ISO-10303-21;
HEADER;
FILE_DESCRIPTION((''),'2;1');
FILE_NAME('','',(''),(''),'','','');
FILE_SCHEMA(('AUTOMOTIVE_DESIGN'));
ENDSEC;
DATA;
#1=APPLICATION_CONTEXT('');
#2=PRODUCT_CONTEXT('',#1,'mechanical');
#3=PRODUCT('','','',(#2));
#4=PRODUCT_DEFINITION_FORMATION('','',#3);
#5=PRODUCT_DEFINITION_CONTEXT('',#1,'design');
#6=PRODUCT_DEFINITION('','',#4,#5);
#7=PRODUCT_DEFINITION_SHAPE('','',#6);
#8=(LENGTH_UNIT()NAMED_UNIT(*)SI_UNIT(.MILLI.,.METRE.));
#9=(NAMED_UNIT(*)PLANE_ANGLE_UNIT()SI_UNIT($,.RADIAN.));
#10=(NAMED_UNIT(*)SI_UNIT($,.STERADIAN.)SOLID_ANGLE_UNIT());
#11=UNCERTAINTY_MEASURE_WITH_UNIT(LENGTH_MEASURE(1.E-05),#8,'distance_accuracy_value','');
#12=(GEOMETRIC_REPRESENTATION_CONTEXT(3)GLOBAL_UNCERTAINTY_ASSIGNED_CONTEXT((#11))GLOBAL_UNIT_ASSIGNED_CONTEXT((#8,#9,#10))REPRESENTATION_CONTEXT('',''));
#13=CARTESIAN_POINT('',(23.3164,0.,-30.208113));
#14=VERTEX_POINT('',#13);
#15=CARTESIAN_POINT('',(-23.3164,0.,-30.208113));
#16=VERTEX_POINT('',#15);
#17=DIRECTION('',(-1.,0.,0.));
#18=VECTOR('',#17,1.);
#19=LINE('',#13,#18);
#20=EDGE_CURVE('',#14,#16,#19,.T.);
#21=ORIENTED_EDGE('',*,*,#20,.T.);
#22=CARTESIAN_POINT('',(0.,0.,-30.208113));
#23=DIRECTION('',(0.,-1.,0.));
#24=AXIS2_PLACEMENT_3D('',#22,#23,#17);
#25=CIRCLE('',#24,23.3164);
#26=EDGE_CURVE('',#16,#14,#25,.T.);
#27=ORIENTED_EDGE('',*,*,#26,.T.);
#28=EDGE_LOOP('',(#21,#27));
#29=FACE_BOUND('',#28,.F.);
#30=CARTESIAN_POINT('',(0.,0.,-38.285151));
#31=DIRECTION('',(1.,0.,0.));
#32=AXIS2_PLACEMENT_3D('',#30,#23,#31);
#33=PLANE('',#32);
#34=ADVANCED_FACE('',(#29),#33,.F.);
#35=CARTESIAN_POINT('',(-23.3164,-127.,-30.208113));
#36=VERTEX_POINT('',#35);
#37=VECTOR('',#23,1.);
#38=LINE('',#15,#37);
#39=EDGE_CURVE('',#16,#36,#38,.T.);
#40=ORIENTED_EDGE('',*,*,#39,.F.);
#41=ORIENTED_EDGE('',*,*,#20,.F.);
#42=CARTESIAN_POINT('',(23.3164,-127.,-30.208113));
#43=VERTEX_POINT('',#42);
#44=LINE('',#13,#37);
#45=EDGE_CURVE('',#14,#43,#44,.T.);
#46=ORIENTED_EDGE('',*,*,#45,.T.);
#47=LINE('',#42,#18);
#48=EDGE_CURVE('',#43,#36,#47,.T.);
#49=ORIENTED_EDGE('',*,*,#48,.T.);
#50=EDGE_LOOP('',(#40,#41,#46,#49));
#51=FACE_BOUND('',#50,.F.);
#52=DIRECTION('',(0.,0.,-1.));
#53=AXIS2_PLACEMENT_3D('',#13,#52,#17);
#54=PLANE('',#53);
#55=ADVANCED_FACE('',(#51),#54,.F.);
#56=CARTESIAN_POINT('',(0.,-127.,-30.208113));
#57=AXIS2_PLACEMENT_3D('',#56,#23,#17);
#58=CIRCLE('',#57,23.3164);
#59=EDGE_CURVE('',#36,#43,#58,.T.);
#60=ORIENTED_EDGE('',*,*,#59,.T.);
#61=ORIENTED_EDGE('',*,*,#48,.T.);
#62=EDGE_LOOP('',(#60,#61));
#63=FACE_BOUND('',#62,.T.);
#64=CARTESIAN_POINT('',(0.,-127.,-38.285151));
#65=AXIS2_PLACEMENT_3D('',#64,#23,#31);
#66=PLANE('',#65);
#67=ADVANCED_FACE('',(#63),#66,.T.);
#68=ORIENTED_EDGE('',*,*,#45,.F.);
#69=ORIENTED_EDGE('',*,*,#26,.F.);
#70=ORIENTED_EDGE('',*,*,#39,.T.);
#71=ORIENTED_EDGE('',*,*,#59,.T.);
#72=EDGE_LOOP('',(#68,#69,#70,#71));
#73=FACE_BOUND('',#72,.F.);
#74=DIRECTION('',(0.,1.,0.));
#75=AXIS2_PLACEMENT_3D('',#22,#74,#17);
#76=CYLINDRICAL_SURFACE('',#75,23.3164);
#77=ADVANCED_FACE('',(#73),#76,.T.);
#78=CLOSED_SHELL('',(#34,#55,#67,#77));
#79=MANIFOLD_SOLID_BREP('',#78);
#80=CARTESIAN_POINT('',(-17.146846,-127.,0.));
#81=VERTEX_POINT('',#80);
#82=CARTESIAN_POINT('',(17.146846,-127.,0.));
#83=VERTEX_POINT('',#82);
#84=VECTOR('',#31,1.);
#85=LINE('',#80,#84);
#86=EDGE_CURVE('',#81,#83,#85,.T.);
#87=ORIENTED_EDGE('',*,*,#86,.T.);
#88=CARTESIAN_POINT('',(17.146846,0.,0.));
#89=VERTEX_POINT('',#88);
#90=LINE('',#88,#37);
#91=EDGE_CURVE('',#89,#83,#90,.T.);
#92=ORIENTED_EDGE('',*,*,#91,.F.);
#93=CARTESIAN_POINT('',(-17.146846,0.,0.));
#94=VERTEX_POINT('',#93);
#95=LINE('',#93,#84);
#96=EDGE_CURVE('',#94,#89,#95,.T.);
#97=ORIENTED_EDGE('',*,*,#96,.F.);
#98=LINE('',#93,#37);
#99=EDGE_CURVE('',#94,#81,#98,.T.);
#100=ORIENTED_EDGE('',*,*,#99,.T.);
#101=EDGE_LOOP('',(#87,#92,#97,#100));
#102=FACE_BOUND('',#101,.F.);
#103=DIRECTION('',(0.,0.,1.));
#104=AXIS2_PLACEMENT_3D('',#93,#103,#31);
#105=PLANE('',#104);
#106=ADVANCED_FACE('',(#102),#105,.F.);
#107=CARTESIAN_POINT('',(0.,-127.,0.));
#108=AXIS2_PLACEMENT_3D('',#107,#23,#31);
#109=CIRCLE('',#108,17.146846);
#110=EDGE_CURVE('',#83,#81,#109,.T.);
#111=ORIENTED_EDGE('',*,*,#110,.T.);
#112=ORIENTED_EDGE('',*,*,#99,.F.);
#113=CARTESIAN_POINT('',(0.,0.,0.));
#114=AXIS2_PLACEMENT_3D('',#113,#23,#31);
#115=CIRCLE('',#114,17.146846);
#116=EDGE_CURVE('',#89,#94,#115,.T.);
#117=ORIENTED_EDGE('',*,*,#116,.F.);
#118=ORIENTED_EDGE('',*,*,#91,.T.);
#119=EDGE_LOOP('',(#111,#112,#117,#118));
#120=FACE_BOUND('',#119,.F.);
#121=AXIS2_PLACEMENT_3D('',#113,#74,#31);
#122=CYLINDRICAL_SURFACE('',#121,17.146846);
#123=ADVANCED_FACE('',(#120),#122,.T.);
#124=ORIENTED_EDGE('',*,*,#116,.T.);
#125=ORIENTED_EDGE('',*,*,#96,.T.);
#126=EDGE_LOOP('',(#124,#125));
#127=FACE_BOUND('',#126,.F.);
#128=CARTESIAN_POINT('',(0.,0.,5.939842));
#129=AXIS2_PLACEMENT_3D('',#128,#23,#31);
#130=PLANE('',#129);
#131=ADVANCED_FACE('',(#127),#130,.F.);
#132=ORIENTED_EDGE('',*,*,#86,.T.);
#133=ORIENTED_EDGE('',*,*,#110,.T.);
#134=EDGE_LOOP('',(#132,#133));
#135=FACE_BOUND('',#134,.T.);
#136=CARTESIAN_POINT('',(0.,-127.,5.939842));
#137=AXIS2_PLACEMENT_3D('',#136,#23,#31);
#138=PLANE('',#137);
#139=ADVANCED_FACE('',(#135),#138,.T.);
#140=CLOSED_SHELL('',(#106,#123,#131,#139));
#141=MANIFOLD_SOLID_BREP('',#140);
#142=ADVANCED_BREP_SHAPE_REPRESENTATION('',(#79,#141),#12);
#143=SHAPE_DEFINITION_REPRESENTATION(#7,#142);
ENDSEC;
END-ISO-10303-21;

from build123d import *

# Parameters (mm, degrees)
F1_DEPTH = 127


with BuildPart() as f1:
    # F0 (on Front) → F1 (new body)
    with BuildSketch(Plane.XZ):
        with BuildLine():
            Line((23.3164, -30.208113), (-23.3164, -30.208113))
            ThreePointArc((-23.3164, -30.208113), (0, -53.524513), (23.3164, -30.208113))
        make_face()
        with BuildLine():
            ThreePointArc((17.146846, 0), (0, 17.146846), (-17.146846, 0))
            Line((-17.146846, 0), (17.146846, 0))
        make_face()
    extrude(amount=F1_DEPTH)


solid = f1.part
